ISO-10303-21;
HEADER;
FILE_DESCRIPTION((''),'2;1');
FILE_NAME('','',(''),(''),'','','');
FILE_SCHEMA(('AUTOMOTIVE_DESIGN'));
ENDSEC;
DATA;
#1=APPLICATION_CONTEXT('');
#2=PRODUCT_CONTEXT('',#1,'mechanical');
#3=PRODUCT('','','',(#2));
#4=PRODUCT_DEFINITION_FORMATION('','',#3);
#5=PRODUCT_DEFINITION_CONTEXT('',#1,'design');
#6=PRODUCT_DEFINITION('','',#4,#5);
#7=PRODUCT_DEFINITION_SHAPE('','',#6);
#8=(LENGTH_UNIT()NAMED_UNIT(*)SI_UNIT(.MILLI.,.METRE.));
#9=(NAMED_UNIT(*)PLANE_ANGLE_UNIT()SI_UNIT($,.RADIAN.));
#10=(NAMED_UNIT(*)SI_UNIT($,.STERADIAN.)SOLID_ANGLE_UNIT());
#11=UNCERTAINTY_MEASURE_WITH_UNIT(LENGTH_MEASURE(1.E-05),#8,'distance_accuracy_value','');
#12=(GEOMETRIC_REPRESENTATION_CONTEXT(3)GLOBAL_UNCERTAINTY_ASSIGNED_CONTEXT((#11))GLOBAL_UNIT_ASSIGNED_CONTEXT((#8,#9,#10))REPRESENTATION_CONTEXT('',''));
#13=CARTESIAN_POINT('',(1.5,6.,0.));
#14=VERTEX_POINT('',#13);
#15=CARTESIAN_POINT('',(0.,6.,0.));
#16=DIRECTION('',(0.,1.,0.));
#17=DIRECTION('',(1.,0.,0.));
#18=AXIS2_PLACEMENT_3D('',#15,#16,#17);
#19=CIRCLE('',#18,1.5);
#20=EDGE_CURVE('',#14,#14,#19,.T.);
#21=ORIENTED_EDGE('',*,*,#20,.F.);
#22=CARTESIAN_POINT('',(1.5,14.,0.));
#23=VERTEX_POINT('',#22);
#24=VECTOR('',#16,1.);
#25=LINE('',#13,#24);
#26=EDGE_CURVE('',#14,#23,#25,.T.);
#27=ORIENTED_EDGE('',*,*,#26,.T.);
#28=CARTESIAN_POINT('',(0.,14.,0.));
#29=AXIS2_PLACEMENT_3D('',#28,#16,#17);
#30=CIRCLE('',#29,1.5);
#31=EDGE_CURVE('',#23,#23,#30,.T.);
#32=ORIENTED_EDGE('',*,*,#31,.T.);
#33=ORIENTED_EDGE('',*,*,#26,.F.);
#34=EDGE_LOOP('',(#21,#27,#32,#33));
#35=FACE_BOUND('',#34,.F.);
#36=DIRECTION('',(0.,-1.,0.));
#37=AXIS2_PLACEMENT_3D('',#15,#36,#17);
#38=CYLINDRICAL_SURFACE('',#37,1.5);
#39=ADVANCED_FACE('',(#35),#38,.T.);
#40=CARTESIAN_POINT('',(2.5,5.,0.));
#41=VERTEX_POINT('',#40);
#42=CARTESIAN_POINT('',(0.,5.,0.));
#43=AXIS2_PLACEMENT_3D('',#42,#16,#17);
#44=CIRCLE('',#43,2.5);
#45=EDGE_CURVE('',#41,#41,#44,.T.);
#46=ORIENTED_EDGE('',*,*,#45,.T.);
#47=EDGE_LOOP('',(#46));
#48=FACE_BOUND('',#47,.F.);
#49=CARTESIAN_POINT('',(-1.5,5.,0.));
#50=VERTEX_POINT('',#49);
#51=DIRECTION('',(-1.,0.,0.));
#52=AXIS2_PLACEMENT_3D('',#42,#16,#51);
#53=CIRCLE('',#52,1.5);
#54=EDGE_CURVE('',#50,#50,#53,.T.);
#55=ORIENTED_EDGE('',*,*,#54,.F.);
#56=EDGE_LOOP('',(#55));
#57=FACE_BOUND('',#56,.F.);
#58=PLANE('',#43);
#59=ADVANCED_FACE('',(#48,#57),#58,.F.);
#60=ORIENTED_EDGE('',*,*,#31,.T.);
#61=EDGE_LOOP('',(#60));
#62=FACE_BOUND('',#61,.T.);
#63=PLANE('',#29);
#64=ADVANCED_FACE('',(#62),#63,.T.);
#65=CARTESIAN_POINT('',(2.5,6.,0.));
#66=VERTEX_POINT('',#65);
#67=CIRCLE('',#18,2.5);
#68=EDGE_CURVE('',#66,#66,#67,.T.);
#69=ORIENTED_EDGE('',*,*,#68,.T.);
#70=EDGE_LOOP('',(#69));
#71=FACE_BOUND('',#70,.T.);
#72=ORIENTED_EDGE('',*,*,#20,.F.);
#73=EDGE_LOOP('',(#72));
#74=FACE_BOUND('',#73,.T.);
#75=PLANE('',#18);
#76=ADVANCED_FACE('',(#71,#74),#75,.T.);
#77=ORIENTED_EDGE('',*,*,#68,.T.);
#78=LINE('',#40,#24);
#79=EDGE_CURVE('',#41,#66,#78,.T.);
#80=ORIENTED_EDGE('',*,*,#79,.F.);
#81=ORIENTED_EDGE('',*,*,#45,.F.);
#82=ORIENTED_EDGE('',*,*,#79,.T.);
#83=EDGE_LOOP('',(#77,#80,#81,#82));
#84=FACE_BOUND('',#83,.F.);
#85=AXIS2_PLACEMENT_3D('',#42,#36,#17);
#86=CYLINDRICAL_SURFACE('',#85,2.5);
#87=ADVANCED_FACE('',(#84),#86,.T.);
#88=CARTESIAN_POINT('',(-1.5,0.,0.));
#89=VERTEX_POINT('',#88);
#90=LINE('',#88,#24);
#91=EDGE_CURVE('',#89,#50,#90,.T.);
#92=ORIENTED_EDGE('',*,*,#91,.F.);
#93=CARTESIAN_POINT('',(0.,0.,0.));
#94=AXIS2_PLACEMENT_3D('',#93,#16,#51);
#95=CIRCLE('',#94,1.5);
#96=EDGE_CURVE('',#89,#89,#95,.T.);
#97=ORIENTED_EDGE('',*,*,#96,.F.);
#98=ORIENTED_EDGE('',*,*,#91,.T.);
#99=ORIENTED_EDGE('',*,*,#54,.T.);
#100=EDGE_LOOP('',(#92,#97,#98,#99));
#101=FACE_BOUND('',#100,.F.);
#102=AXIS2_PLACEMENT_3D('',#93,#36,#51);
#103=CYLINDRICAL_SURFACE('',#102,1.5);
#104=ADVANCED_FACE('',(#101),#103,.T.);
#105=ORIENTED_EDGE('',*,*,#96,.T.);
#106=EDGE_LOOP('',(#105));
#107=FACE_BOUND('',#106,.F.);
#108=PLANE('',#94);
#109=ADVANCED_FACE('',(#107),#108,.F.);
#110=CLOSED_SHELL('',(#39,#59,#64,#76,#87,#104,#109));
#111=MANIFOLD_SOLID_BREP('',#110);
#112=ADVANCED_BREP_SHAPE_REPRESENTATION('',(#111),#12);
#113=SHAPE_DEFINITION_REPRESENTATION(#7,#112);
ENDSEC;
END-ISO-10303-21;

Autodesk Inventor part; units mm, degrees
ref_plane "YZ Plane" through (0, 0, 0) normal (1, 0, 0) x (0, 1, 0)
ref_plane "XZ Plane" through (0, 0, 0) normal (0, 1, 0) x (-1, 0, 0)
ref_plane "XY Plane" through (0, 0, 0) normal (0, 0, 1) x (1, 0, 0)
sketch "Sketch1" plane through (0, 0, 0) normal (0, 1, 0) x (-1, 0, 0)
  circle A0 centre (0, 0) radius 1.5
  dimension "d0" = 3
extrude "Extrusion1" add sketch "Sketch1" along normal blind 5
sketch "Sketch2" plane through (0, 5, 0) normal (0, 1, 0) x (1, 0, 0)
  circle A0 centre (0, 0) radius 2.5
  dimension "d3" = 5
extrude "Extrusion2" add sketch "Sketch2" along normal blind 1
sketch "Sketch3" plane through (0, 6, 0) normal (0, 1, 0) x (1, 0, 0)
  circle A0 centre (0, 0) radius 1.5
  dimension "d6" = 3
extrude "Extrusion3" add sketch "Sketch3" along normal blind 8
properties part number "6P-012"
